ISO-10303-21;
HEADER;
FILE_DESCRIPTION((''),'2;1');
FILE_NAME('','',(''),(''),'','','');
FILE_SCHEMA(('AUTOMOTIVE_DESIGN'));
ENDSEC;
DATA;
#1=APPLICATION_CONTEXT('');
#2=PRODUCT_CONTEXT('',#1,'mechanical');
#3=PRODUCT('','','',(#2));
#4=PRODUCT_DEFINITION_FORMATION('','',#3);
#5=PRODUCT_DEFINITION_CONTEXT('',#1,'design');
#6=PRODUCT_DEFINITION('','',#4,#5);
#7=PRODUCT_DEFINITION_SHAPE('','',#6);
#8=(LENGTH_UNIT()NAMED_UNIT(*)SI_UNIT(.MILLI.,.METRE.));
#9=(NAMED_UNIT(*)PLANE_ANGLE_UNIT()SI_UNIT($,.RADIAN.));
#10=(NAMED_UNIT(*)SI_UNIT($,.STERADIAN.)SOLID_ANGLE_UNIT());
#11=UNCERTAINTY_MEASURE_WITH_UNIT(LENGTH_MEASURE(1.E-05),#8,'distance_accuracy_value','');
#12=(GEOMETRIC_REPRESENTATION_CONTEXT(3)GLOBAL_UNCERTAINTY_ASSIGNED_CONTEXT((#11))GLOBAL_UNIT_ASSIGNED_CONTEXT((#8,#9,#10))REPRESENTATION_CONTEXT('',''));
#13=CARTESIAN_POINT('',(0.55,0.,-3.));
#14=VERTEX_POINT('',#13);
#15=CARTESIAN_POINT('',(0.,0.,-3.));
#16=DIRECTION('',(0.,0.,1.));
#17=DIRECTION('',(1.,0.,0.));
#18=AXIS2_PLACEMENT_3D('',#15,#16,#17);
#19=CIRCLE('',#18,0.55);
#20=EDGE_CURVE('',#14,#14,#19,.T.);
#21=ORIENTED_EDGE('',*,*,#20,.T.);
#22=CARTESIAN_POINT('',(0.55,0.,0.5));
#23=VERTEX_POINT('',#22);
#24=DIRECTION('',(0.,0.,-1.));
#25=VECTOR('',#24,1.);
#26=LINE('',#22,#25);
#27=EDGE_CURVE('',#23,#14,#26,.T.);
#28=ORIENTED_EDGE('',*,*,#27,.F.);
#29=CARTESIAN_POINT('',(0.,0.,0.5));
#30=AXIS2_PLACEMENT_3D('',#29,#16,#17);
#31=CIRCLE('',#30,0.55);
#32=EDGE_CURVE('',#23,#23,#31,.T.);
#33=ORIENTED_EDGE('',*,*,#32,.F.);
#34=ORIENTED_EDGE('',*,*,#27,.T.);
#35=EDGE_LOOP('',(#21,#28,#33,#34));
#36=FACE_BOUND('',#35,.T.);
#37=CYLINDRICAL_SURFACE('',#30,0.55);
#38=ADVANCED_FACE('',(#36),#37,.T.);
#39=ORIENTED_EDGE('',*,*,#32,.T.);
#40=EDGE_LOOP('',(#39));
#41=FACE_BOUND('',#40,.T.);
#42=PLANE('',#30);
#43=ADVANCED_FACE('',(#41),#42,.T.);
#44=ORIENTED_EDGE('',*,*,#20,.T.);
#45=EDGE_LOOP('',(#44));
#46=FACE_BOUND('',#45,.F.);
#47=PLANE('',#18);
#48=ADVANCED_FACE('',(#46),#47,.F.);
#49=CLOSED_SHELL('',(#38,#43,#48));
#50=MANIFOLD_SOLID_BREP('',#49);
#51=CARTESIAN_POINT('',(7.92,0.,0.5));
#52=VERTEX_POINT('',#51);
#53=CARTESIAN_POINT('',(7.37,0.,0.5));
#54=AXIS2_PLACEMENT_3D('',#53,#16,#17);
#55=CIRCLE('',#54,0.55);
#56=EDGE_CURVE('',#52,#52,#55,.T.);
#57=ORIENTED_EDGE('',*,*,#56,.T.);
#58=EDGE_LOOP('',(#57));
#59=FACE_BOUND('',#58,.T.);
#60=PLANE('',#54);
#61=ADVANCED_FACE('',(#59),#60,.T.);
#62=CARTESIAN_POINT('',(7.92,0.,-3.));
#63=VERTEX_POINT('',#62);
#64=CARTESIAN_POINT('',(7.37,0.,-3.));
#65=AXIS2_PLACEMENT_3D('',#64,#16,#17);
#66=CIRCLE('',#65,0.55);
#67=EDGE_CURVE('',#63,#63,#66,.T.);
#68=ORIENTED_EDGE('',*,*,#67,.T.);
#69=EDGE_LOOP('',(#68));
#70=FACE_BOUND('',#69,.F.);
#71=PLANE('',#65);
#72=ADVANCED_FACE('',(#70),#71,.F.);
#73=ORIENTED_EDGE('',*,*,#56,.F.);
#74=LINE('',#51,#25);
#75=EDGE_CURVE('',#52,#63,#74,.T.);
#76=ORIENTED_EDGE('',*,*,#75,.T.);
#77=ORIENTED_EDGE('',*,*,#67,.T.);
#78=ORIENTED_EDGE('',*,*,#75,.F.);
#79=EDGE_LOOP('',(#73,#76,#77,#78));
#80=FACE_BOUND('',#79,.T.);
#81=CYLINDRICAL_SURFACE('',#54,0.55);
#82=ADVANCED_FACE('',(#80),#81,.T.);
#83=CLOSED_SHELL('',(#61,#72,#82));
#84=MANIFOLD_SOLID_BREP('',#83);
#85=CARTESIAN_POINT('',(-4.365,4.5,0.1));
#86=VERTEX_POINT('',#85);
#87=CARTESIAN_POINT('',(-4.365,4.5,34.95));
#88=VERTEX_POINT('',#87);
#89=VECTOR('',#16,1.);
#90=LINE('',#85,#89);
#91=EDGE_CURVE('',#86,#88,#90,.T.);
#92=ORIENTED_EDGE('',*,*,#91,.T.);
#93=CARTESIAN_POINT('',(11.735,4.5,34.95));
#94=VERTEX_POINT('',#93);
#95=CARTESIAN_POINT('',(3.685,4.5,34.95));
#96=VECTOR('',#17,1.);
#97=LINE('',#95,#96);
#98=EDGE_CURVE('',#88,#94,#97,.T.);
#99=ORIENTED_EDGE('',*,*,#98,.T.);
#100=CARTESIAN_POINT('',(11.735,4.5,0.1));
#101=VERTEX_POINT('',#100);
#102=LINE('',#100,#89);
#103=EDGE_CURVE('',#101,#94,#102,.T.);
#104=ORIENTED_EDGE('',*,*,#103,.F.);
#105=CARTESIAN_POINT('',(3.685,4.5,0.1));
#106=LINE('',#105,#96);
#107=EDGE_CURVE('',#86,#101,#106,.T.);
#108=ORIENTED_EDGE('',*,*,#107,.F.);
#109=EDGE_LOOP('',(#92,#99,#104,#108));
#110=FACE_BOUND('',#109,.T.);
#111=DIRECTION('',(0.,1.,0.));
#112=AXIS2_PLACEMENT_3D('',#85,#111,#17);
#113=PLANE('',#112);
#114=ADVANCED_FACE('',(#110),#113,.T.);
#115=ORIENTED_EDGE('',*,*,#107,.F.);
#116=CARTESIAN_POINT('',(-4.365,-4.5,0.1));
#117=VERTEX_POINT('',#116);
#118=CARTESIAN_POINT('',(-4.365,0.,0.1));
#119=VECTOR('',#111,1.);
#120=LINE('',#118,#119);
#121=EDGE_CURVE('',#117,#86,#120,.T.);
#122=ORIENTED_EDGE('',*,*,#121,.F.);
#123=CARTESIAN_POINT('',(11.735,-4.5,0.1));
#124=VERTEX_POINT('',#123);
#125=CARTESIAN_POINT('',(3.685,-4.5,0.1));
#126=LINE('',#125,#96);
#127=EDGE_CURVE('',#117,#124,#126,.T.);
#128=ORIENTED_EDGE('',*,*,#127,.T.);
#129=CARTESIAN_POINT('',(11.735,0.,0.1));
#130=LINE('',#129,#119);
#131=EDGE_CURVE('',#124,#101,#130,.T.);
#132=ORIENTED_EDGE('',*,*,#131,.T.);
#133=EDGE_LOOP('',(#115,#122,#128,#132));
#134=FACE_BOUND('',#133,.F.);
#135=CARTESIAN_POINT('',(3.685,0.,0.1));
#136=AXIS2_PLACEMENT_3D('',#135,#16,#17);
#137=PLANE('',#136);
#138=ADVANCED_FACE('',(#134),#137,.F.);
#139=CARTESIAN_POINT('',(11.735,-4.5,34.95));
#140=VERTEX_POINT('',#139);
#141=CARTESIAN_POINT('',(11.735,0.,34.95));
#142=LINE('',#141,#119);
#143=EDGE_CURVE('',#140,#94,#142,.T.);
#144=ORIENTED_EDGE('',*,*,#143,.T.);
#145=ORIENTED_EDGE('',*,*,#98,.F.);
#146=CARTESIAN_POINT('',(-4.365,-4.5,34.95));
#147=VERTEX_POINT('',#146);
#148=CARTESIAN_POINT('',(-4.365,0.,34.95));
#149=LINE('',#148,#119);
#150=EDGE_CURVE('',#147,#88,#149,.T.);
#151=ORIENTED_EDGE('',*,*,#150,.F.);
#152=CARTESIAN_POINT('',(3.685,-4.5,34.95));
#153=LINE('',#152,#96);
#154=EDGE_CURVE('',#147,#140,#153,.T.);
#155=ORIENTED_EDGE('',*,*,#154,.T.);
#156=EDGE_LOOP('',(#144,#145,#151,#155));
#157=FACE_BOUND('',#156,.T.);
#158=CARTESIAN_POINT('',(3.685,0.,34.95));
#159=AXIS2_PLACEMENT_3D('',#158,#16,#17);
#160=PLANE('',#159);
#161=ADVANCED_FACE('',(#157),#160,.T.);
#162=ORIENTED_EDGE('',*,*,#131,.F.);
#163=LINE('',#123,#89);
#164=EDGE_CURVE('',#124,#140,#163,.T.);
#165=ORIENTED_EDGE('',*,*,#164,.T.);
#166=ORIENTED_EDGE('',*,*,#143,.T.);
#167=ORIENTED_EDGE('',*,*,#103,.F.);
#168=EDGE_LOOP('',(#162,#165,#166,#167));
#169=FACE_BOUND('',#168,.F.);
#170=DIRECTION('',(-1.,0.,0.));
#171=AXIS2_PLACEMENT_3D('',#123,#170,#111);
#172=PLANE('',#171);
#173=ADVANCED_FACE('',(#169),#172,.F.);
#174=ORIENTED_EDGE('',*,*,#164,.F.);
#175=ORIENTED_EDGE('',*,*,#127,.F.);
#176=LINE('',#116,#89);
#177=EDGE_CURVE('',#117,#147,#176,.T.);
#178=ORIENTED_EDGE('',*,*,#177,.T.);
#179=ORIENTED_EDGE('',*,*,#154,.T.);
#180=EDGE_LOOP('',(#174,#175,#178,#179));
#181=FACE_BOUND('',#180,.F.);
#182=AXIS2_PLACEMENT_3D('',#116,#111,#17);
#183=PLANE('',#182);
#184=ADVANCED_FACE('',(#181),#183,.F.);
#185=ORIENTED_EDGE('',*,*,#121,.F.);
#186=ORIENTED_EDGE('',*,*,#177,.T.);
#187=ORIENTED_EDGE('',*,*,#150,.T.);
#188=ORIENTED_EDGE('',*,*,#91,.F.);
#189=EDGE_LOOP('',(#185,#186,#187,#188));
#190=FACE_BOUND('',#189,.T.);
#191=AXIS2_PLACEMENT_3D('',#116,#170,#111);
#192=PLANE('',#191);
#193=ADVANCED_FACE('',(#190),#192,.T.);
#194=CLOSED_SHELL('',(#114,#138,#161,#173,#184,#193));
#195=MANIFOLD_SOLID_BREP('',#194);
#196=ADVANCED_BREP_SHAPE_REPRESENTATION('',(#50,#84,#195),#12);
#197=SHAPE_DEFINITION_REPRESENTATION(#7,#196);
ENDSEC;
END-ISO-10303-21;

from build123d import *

# Parameters (mm, degrees)
SKETCH_W     = 16.1
SKETCH_H     = 9
PAD_DEPTH    = 34.85
SKETCH001_R  = 0.55
PAD001_DEPTH = 3.5


with BuildPart() as pad:
    # Sketch → Pad (new body)
    with BuildSketch(Plane.XY.offset(0.1)):
        with Locations((3.685, 0)):
            Rectangle(SKETCH_W, SKETCH_H)
    extrude(amount=PAD_DEPTH)


with BuildPart() as pad001:
    # Sketch001 → Pad001 (new body)
    with BuildSketch(Plane.XY.offset(0.5)):
        Circle(SKETCH001_R)
        with Locations((7.37, 0)):
            Circle(SKETCH001_R)
    extrude(amount=-PAD001_DEPTH)


solid = Compound([pad.part, pad001.part])
